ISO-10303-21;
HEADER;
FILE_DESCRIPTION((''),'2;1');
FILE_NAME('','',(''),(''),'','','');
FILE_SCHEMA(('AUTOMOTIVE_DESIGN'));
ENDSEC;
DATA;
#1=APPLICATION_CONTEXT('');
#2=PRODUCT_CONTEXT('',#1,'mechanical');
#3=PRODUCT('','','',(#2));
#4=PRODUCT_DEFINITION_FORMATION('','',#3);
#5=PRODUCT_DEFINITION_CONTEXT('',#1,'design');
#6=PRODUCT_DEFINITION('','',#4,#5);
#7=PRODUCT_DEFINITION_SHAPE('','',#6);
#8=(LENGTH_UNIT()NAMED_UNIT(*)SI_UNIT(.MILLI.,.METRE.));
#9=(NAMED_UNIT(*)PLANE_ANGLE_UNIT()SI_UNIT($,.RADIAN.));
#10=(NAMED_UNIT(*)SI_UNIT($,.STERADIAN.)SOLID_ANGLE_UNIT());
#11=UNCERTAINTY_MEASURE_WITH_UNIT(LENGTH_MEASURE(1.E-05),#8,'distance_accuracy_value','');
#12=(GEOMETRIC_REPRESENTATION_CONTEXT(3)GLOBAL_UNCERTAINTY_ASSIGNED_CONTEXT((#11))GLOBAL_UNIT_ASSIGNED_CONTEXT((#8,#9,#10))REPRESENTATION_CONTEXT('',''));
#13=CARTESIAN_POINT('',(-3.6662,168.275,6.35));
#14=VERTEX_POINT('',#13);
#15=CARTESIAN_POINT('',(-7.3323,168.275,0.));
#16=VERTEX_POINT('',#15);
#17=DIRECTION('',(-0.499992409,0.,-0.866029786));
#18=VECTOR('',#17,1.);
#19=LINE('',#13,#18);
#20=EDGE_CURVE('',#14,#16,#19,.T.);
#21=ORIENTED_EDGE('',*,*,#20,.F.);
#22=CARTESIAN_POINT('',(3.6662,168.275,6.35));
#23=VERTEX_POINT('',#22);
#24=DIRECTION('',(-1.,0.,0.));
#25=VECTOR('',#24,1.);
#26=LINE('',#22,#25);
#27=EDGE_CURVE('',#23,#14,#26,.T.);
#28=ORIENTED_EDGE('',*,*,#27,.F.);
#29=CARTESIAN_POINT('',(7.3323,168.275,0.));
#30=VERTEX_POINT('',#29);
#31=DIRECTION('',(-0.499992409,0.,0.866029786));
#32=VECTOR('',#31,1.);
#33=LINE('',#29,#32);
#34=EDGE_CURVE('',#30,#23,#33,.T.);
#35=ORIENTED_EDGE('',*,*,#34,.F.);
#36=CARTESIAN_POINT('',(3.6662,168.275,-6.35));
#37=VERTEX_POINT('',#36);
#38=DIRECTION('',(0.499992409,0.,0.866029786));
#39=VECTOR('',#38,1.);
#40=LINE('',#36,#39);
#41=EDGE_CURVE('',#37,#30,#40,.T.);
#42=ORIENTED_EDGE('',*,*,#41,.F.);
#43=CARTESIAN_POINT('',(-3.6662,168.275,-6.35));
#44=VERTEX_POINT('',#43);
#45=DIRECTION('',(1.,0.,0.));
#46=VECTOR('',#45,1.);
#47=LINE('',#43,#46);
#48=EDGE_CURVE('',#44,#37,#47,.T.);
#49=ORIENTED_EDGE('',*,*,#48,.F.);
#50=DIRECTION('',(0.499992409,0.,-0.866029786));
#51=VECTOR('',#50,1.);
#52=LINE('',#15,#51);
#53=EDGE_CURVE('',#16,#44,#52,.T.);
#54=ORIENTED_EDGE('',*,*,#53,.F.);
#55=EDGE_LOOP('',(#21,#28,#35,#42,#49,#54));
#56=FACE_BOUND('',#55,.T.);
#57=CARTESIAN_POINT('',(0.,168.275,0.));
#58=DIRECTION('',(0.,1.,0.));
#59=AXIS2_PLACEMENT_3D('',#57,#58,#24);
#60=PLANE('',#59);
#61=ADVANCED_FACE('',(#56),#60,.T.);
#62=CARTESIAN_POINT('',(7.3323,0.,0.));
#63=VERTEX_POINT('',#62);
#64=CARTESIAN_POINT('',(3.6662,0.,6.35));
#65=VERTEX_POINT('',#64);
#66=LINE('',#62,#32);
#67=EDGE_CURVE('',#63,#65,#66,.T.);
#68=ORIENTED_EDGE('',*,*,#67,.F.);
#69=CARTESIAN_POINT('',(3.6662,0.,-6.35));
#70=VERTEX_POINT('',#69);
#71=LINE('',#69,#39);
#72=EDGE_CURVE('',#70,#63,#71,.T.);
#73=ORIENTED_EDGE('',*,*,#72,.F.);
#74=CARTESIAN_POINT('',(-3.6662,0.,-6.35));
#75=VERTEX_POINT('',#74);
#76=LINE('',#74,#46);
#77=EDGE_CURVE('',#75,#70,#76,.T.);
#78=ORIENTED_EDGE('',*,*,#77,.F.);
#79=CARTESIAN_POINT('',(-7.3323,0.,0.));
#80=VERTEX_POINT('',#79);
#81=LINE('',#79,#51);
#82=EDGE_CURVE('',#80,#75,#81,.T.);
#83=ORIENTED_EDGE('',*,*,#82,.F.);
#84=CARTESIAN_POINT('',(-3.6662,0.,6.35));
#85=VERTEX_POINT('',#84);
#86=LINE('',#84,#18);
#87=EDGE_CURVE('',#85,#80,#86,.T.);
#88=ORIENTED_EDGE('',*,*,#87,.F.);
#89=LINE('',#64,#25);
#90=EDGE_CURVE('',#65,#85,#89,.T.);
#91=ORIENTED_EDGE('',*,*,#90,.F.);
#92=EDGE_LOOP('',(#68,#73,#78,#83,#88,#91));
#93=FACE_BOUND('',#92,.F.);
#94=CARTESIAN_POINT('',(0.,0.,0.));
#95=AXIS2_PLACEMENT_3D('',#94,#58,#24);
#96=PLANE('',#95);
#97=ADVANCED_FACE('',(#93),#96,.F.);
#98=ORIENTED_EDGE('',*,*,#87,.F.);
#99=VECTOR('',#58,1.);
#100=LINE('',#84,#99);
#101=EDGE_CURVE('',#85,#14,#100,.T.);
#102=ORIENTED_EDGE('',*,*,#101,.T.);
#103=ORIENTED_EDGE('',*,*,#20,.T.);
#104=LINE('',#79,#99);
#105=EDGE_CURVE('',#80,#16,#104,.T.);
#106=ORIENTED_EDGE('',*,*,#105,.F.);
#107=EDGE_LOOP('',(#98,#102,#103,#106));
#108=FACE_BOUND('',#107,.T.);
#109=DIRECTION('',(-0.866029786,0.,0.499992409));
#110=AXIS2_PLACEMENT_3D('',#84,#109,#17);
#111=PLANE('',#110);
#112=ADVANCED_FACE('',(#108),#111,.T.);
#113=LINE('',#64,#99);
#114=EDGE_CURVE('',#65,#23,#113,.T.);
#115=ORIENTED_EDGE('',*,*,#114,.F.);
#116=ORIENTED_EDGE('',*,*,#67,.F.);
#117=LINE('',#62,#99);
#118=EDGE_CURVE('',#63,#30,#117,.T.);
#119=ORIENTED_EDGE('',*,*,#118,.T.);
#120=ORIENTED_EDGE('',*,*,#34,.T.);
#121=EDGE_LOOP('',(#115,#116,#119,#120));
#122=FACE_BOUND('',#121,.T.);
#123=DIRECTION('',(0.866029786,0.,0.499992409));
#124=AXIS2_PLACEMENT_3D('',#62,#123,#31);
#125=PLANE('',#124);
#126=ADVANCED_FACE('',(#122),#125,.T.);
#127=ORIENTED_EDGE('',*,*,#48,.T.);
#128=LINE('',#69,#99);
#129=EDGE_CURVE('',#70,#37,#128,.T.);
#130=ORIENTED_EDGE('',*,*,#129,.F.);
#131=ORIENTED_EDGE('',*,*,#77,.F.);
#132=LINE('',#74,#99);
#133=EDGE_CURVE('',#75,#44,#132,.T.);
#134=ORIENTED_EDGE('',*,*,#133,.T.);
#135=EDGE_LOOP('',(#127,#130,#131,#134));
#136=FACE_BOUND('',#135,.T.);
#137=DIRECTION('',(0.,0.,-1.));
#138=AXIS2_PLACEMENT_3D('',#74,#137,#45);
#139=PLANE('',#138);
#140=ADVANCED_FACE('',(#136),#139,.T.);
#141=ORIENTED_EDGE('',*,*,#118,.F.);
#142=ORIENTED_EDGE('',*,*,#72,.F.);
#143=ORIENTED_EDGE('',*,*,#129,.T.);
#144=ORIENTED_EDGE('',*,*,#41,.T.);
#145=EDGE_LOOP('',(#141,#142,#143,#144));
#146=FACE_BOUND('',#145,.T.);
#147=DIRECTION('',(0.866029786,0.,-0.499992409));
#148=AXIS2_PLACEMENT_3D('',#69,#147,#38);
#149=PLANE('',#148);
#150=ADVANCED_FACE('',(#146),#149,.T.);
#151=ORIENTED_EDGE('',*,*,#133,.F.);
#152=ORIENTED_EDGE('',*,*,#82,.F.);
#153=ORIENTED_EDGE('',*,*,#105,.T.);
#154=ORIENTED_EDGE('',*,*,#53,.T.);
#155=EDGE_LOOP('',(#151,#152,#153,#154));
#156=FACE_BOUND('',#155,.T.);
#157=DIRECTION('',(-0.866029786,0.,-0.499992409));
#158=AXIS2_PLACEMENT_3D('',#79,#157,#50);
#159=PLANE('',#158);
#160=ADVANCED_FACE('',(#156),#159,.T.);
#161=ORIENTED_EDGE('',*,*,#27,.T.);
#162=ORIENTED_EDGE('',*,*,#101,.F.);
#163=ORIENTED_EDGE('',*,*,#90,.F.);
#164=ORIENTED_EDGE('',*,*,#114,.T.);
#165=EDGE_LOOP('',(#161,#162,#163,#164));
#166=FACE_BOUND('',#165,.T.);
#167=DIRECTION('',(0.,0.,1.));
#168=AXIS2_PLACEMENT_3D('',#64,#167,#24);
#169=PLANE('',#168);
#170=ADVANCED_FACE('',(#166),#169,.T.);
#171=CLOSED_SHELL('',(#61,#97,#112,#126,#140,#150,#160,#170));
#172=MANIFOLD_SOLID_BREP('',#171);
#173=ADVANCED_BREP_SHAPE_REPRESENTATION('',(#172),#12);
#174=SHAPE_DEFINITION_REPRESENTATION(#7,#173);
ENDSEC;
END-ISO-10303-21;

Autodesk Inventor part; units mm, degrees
ref_plane "YZ Plane" through (0, 0, 0) normal (1, 0, 0) x (0, 1, 0)
ref_plane "XZ Plane" through (0, 0, 0) normal (0, 1, 0) x (-1, 0, 0)
ref_plane "XY Plane" through (0, 0, 0) normal (0, 0, 1) x (1, 0, 0)
sketch "Sketch1" plane through (0, 0, 0) normal (0, 1, 0) x (-1, 0, 0)
  line L0 (-3.6662, -6.35) -> (-7.3323, 0)
  line L1 (-7.3323, 0) -> (-3.6662, 6.35)
  line L2 (-3.6662, 6.35) -> (3.6662, 6.35)
  line L3 (3.6662, 6.35) -> (7.3323, 0)
  line L4 (7.3323, 0) -> (3.6662, -6.35)
  line L5 (3.6662, -6.35) -> (-3.6662, -6.35)
  point P0 (0, 0)
  point P1 (0, 0)
  dimension "d0" = 12.7
extrude "Extrusion1" add sketch "Sketch1" along normal blind 168.275
properties part number "STOCK,BOTTOM-RIGHT,HEX"
